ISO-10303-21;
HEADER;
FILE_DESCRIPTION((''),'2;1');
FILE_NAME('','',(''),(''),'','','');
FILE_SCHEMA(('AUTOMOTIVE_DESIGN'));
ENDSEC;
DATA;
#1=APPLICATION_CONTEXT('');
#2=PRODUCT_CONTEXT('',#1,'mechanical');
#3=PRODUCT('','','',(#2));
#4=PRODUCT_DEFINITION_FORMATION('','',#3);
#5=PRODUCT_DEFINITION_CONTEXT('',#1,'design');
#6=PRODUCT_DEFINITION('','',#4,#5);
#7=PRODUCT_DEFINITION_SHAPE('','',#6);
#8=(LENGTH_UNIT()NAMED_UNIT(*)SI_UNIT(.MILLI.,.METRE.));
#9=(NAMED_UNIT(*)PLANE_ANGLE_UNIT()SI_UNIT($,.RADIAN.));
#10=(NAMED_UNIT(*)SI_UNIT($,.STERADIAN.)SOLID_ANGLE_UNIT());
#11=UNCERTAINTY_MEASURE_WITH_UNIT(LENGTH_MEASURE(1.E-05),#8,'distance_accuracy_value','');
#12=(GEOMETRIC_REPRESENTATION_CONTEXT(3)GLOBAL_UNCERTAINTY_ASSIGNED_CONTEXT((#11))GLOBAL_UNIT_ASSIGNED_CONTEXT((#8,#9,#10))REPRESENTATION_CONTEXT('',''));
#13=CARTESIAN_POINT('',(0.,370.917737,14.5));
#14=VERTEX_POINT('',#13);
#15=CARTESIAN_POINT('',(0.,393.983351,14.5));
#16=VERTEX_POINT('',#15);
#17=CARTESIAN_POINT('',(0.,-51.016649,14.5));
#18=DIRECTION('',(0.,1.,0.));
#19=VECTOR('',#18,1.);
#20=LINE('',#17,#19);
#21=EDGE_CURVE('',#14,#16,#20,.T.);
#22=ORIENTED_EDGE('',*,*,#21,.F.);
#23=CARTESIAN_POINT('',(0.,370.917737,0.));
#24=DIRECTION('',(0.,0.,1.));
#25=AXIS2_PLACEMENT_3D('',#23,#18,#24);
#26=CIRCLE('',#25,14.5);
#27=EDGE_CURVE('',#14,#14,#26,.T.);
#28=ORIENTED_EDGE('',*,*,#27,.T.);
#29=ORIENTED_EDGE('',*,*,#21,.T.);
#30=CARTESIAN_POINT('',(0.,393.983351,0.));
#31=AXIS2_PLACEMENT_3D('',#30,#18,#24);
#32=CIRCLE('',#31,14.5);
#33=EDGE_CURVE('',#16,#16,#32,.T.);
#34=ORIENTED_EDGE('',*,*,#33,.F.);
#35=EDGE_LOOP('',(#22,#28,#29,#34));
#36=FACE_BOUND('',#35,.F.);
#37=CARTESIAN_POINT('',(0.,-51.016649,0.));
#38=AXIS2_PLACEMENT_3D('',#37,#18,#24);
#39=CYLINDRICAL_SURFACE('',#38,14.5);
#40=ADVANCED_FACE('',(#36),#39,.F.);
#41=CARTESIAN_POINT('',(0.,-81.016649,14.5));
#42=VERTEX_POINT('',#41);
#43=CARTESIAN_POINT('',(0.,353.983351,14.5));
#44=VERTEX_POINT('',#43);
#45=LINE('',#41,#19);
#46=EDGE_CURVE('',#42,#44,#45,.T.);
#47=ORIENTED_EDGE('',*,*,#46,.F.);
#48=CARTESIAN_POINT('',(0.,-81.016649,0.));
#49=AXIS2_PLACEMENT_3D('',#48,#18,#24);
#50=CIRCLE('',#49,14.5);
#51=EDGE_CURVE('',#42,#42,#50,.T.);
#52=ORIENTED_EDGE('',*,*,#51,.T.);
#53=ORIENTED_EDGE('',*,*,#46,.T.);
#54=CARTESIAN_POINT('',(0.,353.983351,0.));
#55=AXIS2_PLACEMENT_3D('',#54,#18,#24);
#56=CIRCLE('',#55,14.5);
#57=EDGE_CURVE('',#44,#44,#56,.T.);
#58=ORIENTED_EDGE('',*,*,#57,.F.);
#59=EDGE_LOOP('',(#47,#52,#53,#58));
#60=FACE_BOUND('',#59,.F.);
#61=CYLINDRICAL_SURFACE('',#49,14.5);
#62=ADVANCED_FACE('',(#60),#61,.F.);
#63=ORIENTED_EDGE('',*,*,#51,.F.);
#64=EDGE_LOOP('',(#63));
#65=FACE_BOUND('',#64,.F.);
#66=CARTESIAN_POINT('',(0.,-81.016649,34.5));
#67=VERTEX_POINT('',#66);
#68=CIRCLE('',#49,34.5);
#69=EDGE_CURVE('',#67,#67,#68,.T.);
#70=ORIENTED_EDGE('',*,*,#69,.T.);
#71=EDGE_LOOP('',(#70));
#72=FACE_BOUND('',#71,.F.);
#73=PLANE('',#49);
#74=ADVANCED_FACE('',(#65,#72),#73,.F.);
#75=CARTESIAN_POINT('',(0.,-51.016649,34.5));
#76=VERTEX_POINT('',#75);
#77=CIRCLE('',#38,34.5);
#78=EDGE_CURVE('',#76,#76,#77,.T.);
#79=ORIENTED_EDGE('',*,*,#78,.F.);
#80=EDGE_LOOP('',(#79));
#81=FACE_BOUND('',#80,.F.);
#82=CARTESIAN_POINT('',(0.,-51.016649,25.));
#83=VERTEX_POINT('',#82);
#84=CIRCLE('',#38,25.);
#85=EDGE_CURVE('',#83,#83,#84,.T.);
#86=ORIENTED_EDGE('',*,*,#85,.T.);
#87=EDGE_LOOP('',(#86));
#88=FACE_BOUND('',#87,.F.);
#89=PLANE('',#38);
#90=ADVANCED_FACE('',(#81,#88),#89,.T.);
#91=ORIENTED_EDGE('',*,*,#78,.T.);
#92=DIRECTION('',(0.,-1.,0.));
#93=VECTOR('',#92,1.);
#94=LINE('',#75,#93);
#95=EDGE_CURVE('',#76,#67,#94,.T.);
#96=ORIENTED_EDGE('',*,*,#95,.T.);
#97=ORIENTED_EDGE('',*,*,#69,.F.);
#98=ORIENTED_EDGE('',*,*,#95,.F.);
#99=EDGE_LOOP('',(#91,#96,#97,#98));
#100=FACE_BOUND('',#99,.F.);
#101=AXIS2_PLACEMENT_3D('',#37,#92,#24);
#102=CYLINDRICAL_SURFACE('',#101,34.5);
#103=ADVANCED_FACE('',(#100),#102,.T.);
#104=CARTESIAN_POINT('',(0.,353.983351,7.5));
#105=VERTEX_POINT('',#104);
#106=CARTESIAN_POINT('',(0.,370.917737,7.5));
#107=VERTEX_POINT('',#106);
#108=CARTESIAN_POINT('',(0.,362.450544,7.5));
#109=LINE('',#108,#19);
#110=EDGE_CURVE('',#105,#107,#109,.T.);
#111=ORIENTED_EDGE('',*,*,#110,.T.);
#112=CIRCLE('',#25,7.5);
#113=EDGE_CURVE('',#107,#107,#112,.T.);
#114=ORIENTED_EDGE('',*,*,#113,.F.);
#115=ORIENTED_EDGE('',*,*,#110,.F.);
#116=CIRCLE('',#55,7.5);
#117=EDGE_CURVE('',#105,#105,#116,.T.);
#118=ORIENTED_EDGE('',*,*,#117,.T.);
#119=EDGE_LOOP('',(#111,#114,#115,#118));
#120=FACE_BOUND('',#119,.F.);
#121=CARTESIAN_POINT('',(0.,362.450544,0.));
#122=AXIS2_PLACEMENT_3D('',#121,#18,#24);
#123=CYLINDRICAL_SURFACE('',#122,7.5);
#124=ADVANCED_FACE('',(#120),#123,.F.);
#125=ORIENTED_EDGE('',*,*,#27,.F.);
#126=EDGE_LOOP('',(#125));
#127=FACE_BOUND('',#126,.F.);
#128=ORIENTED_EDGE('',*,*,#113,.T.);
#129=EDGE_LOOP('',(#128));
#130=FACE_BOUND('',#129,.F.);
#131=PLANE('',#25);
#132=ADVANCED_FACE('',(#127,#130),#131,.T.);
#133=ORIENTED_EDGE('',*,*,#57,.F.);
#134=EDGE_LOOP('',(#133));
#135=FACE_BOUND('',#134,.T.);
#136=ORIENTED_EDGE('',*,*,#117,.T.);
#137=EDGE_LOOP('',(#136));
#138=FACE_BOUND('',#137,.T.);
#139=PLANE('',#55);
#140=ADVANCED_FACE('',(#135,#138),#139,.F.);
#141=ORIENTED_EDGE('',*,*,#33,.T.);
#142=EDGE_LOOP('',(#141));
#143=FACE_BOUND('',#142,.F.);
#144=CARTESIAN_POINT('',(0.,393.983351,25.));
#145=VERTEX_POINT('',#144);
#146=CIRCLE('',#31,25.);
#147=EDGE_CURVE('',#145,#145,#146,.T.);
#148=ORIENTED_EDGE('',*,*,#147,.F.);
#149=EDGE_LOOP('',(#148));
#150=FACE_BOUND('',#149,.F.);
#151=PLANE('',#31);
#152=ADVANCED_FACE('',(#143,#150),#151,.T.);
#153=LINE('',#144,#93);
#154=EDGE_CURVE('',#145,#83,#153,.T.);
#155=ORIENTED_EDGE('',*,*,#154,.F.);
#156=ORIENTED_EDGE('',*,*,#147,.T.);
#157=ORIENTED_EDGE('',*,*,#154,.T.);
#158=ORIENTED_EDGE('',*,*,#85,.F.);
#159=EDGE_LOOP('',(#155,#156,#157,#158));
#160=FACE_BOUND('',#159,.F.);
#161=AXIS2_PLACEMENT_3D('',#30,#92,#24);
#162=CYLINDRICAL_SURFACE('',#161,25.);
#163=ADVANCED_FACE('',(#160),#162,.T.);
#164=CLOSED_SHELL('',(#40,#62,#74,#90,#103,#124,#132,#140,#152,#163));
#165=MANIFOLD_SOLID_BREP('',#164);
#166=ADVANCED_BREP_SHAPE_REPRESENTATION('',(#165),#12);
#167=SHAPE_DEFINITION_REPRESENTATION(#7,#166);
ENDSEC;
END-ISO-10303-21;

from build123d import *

# Parameters (mm, degrees)
F0_W = 16.934386
F0_H = 7


with BuildPart() as f1:
    # F0 (on Right) → F1 (revolve)
    with BuildSketch(Plane.YZ):
        Polygon((393.983351, 25), (-51.016649, 25), (-51.016649, 14.5), (353.983351, 14.5), (370.917737, 14.5), (393.983351, 14.5), align=None)
        with Locations((362.450544, 11)):
            Rectangle(F0_W, F0_H)
        Polygon((-51.016649, 34.5), (-81.016649, 34.5), (-81.016649, 14.5), (-51.016649, 14.5), (-51.016649, 25), align=None)
    revolve(axis=Axis((0, 107.150801, 0), (0, 1, 0)))


solid = f1.part
